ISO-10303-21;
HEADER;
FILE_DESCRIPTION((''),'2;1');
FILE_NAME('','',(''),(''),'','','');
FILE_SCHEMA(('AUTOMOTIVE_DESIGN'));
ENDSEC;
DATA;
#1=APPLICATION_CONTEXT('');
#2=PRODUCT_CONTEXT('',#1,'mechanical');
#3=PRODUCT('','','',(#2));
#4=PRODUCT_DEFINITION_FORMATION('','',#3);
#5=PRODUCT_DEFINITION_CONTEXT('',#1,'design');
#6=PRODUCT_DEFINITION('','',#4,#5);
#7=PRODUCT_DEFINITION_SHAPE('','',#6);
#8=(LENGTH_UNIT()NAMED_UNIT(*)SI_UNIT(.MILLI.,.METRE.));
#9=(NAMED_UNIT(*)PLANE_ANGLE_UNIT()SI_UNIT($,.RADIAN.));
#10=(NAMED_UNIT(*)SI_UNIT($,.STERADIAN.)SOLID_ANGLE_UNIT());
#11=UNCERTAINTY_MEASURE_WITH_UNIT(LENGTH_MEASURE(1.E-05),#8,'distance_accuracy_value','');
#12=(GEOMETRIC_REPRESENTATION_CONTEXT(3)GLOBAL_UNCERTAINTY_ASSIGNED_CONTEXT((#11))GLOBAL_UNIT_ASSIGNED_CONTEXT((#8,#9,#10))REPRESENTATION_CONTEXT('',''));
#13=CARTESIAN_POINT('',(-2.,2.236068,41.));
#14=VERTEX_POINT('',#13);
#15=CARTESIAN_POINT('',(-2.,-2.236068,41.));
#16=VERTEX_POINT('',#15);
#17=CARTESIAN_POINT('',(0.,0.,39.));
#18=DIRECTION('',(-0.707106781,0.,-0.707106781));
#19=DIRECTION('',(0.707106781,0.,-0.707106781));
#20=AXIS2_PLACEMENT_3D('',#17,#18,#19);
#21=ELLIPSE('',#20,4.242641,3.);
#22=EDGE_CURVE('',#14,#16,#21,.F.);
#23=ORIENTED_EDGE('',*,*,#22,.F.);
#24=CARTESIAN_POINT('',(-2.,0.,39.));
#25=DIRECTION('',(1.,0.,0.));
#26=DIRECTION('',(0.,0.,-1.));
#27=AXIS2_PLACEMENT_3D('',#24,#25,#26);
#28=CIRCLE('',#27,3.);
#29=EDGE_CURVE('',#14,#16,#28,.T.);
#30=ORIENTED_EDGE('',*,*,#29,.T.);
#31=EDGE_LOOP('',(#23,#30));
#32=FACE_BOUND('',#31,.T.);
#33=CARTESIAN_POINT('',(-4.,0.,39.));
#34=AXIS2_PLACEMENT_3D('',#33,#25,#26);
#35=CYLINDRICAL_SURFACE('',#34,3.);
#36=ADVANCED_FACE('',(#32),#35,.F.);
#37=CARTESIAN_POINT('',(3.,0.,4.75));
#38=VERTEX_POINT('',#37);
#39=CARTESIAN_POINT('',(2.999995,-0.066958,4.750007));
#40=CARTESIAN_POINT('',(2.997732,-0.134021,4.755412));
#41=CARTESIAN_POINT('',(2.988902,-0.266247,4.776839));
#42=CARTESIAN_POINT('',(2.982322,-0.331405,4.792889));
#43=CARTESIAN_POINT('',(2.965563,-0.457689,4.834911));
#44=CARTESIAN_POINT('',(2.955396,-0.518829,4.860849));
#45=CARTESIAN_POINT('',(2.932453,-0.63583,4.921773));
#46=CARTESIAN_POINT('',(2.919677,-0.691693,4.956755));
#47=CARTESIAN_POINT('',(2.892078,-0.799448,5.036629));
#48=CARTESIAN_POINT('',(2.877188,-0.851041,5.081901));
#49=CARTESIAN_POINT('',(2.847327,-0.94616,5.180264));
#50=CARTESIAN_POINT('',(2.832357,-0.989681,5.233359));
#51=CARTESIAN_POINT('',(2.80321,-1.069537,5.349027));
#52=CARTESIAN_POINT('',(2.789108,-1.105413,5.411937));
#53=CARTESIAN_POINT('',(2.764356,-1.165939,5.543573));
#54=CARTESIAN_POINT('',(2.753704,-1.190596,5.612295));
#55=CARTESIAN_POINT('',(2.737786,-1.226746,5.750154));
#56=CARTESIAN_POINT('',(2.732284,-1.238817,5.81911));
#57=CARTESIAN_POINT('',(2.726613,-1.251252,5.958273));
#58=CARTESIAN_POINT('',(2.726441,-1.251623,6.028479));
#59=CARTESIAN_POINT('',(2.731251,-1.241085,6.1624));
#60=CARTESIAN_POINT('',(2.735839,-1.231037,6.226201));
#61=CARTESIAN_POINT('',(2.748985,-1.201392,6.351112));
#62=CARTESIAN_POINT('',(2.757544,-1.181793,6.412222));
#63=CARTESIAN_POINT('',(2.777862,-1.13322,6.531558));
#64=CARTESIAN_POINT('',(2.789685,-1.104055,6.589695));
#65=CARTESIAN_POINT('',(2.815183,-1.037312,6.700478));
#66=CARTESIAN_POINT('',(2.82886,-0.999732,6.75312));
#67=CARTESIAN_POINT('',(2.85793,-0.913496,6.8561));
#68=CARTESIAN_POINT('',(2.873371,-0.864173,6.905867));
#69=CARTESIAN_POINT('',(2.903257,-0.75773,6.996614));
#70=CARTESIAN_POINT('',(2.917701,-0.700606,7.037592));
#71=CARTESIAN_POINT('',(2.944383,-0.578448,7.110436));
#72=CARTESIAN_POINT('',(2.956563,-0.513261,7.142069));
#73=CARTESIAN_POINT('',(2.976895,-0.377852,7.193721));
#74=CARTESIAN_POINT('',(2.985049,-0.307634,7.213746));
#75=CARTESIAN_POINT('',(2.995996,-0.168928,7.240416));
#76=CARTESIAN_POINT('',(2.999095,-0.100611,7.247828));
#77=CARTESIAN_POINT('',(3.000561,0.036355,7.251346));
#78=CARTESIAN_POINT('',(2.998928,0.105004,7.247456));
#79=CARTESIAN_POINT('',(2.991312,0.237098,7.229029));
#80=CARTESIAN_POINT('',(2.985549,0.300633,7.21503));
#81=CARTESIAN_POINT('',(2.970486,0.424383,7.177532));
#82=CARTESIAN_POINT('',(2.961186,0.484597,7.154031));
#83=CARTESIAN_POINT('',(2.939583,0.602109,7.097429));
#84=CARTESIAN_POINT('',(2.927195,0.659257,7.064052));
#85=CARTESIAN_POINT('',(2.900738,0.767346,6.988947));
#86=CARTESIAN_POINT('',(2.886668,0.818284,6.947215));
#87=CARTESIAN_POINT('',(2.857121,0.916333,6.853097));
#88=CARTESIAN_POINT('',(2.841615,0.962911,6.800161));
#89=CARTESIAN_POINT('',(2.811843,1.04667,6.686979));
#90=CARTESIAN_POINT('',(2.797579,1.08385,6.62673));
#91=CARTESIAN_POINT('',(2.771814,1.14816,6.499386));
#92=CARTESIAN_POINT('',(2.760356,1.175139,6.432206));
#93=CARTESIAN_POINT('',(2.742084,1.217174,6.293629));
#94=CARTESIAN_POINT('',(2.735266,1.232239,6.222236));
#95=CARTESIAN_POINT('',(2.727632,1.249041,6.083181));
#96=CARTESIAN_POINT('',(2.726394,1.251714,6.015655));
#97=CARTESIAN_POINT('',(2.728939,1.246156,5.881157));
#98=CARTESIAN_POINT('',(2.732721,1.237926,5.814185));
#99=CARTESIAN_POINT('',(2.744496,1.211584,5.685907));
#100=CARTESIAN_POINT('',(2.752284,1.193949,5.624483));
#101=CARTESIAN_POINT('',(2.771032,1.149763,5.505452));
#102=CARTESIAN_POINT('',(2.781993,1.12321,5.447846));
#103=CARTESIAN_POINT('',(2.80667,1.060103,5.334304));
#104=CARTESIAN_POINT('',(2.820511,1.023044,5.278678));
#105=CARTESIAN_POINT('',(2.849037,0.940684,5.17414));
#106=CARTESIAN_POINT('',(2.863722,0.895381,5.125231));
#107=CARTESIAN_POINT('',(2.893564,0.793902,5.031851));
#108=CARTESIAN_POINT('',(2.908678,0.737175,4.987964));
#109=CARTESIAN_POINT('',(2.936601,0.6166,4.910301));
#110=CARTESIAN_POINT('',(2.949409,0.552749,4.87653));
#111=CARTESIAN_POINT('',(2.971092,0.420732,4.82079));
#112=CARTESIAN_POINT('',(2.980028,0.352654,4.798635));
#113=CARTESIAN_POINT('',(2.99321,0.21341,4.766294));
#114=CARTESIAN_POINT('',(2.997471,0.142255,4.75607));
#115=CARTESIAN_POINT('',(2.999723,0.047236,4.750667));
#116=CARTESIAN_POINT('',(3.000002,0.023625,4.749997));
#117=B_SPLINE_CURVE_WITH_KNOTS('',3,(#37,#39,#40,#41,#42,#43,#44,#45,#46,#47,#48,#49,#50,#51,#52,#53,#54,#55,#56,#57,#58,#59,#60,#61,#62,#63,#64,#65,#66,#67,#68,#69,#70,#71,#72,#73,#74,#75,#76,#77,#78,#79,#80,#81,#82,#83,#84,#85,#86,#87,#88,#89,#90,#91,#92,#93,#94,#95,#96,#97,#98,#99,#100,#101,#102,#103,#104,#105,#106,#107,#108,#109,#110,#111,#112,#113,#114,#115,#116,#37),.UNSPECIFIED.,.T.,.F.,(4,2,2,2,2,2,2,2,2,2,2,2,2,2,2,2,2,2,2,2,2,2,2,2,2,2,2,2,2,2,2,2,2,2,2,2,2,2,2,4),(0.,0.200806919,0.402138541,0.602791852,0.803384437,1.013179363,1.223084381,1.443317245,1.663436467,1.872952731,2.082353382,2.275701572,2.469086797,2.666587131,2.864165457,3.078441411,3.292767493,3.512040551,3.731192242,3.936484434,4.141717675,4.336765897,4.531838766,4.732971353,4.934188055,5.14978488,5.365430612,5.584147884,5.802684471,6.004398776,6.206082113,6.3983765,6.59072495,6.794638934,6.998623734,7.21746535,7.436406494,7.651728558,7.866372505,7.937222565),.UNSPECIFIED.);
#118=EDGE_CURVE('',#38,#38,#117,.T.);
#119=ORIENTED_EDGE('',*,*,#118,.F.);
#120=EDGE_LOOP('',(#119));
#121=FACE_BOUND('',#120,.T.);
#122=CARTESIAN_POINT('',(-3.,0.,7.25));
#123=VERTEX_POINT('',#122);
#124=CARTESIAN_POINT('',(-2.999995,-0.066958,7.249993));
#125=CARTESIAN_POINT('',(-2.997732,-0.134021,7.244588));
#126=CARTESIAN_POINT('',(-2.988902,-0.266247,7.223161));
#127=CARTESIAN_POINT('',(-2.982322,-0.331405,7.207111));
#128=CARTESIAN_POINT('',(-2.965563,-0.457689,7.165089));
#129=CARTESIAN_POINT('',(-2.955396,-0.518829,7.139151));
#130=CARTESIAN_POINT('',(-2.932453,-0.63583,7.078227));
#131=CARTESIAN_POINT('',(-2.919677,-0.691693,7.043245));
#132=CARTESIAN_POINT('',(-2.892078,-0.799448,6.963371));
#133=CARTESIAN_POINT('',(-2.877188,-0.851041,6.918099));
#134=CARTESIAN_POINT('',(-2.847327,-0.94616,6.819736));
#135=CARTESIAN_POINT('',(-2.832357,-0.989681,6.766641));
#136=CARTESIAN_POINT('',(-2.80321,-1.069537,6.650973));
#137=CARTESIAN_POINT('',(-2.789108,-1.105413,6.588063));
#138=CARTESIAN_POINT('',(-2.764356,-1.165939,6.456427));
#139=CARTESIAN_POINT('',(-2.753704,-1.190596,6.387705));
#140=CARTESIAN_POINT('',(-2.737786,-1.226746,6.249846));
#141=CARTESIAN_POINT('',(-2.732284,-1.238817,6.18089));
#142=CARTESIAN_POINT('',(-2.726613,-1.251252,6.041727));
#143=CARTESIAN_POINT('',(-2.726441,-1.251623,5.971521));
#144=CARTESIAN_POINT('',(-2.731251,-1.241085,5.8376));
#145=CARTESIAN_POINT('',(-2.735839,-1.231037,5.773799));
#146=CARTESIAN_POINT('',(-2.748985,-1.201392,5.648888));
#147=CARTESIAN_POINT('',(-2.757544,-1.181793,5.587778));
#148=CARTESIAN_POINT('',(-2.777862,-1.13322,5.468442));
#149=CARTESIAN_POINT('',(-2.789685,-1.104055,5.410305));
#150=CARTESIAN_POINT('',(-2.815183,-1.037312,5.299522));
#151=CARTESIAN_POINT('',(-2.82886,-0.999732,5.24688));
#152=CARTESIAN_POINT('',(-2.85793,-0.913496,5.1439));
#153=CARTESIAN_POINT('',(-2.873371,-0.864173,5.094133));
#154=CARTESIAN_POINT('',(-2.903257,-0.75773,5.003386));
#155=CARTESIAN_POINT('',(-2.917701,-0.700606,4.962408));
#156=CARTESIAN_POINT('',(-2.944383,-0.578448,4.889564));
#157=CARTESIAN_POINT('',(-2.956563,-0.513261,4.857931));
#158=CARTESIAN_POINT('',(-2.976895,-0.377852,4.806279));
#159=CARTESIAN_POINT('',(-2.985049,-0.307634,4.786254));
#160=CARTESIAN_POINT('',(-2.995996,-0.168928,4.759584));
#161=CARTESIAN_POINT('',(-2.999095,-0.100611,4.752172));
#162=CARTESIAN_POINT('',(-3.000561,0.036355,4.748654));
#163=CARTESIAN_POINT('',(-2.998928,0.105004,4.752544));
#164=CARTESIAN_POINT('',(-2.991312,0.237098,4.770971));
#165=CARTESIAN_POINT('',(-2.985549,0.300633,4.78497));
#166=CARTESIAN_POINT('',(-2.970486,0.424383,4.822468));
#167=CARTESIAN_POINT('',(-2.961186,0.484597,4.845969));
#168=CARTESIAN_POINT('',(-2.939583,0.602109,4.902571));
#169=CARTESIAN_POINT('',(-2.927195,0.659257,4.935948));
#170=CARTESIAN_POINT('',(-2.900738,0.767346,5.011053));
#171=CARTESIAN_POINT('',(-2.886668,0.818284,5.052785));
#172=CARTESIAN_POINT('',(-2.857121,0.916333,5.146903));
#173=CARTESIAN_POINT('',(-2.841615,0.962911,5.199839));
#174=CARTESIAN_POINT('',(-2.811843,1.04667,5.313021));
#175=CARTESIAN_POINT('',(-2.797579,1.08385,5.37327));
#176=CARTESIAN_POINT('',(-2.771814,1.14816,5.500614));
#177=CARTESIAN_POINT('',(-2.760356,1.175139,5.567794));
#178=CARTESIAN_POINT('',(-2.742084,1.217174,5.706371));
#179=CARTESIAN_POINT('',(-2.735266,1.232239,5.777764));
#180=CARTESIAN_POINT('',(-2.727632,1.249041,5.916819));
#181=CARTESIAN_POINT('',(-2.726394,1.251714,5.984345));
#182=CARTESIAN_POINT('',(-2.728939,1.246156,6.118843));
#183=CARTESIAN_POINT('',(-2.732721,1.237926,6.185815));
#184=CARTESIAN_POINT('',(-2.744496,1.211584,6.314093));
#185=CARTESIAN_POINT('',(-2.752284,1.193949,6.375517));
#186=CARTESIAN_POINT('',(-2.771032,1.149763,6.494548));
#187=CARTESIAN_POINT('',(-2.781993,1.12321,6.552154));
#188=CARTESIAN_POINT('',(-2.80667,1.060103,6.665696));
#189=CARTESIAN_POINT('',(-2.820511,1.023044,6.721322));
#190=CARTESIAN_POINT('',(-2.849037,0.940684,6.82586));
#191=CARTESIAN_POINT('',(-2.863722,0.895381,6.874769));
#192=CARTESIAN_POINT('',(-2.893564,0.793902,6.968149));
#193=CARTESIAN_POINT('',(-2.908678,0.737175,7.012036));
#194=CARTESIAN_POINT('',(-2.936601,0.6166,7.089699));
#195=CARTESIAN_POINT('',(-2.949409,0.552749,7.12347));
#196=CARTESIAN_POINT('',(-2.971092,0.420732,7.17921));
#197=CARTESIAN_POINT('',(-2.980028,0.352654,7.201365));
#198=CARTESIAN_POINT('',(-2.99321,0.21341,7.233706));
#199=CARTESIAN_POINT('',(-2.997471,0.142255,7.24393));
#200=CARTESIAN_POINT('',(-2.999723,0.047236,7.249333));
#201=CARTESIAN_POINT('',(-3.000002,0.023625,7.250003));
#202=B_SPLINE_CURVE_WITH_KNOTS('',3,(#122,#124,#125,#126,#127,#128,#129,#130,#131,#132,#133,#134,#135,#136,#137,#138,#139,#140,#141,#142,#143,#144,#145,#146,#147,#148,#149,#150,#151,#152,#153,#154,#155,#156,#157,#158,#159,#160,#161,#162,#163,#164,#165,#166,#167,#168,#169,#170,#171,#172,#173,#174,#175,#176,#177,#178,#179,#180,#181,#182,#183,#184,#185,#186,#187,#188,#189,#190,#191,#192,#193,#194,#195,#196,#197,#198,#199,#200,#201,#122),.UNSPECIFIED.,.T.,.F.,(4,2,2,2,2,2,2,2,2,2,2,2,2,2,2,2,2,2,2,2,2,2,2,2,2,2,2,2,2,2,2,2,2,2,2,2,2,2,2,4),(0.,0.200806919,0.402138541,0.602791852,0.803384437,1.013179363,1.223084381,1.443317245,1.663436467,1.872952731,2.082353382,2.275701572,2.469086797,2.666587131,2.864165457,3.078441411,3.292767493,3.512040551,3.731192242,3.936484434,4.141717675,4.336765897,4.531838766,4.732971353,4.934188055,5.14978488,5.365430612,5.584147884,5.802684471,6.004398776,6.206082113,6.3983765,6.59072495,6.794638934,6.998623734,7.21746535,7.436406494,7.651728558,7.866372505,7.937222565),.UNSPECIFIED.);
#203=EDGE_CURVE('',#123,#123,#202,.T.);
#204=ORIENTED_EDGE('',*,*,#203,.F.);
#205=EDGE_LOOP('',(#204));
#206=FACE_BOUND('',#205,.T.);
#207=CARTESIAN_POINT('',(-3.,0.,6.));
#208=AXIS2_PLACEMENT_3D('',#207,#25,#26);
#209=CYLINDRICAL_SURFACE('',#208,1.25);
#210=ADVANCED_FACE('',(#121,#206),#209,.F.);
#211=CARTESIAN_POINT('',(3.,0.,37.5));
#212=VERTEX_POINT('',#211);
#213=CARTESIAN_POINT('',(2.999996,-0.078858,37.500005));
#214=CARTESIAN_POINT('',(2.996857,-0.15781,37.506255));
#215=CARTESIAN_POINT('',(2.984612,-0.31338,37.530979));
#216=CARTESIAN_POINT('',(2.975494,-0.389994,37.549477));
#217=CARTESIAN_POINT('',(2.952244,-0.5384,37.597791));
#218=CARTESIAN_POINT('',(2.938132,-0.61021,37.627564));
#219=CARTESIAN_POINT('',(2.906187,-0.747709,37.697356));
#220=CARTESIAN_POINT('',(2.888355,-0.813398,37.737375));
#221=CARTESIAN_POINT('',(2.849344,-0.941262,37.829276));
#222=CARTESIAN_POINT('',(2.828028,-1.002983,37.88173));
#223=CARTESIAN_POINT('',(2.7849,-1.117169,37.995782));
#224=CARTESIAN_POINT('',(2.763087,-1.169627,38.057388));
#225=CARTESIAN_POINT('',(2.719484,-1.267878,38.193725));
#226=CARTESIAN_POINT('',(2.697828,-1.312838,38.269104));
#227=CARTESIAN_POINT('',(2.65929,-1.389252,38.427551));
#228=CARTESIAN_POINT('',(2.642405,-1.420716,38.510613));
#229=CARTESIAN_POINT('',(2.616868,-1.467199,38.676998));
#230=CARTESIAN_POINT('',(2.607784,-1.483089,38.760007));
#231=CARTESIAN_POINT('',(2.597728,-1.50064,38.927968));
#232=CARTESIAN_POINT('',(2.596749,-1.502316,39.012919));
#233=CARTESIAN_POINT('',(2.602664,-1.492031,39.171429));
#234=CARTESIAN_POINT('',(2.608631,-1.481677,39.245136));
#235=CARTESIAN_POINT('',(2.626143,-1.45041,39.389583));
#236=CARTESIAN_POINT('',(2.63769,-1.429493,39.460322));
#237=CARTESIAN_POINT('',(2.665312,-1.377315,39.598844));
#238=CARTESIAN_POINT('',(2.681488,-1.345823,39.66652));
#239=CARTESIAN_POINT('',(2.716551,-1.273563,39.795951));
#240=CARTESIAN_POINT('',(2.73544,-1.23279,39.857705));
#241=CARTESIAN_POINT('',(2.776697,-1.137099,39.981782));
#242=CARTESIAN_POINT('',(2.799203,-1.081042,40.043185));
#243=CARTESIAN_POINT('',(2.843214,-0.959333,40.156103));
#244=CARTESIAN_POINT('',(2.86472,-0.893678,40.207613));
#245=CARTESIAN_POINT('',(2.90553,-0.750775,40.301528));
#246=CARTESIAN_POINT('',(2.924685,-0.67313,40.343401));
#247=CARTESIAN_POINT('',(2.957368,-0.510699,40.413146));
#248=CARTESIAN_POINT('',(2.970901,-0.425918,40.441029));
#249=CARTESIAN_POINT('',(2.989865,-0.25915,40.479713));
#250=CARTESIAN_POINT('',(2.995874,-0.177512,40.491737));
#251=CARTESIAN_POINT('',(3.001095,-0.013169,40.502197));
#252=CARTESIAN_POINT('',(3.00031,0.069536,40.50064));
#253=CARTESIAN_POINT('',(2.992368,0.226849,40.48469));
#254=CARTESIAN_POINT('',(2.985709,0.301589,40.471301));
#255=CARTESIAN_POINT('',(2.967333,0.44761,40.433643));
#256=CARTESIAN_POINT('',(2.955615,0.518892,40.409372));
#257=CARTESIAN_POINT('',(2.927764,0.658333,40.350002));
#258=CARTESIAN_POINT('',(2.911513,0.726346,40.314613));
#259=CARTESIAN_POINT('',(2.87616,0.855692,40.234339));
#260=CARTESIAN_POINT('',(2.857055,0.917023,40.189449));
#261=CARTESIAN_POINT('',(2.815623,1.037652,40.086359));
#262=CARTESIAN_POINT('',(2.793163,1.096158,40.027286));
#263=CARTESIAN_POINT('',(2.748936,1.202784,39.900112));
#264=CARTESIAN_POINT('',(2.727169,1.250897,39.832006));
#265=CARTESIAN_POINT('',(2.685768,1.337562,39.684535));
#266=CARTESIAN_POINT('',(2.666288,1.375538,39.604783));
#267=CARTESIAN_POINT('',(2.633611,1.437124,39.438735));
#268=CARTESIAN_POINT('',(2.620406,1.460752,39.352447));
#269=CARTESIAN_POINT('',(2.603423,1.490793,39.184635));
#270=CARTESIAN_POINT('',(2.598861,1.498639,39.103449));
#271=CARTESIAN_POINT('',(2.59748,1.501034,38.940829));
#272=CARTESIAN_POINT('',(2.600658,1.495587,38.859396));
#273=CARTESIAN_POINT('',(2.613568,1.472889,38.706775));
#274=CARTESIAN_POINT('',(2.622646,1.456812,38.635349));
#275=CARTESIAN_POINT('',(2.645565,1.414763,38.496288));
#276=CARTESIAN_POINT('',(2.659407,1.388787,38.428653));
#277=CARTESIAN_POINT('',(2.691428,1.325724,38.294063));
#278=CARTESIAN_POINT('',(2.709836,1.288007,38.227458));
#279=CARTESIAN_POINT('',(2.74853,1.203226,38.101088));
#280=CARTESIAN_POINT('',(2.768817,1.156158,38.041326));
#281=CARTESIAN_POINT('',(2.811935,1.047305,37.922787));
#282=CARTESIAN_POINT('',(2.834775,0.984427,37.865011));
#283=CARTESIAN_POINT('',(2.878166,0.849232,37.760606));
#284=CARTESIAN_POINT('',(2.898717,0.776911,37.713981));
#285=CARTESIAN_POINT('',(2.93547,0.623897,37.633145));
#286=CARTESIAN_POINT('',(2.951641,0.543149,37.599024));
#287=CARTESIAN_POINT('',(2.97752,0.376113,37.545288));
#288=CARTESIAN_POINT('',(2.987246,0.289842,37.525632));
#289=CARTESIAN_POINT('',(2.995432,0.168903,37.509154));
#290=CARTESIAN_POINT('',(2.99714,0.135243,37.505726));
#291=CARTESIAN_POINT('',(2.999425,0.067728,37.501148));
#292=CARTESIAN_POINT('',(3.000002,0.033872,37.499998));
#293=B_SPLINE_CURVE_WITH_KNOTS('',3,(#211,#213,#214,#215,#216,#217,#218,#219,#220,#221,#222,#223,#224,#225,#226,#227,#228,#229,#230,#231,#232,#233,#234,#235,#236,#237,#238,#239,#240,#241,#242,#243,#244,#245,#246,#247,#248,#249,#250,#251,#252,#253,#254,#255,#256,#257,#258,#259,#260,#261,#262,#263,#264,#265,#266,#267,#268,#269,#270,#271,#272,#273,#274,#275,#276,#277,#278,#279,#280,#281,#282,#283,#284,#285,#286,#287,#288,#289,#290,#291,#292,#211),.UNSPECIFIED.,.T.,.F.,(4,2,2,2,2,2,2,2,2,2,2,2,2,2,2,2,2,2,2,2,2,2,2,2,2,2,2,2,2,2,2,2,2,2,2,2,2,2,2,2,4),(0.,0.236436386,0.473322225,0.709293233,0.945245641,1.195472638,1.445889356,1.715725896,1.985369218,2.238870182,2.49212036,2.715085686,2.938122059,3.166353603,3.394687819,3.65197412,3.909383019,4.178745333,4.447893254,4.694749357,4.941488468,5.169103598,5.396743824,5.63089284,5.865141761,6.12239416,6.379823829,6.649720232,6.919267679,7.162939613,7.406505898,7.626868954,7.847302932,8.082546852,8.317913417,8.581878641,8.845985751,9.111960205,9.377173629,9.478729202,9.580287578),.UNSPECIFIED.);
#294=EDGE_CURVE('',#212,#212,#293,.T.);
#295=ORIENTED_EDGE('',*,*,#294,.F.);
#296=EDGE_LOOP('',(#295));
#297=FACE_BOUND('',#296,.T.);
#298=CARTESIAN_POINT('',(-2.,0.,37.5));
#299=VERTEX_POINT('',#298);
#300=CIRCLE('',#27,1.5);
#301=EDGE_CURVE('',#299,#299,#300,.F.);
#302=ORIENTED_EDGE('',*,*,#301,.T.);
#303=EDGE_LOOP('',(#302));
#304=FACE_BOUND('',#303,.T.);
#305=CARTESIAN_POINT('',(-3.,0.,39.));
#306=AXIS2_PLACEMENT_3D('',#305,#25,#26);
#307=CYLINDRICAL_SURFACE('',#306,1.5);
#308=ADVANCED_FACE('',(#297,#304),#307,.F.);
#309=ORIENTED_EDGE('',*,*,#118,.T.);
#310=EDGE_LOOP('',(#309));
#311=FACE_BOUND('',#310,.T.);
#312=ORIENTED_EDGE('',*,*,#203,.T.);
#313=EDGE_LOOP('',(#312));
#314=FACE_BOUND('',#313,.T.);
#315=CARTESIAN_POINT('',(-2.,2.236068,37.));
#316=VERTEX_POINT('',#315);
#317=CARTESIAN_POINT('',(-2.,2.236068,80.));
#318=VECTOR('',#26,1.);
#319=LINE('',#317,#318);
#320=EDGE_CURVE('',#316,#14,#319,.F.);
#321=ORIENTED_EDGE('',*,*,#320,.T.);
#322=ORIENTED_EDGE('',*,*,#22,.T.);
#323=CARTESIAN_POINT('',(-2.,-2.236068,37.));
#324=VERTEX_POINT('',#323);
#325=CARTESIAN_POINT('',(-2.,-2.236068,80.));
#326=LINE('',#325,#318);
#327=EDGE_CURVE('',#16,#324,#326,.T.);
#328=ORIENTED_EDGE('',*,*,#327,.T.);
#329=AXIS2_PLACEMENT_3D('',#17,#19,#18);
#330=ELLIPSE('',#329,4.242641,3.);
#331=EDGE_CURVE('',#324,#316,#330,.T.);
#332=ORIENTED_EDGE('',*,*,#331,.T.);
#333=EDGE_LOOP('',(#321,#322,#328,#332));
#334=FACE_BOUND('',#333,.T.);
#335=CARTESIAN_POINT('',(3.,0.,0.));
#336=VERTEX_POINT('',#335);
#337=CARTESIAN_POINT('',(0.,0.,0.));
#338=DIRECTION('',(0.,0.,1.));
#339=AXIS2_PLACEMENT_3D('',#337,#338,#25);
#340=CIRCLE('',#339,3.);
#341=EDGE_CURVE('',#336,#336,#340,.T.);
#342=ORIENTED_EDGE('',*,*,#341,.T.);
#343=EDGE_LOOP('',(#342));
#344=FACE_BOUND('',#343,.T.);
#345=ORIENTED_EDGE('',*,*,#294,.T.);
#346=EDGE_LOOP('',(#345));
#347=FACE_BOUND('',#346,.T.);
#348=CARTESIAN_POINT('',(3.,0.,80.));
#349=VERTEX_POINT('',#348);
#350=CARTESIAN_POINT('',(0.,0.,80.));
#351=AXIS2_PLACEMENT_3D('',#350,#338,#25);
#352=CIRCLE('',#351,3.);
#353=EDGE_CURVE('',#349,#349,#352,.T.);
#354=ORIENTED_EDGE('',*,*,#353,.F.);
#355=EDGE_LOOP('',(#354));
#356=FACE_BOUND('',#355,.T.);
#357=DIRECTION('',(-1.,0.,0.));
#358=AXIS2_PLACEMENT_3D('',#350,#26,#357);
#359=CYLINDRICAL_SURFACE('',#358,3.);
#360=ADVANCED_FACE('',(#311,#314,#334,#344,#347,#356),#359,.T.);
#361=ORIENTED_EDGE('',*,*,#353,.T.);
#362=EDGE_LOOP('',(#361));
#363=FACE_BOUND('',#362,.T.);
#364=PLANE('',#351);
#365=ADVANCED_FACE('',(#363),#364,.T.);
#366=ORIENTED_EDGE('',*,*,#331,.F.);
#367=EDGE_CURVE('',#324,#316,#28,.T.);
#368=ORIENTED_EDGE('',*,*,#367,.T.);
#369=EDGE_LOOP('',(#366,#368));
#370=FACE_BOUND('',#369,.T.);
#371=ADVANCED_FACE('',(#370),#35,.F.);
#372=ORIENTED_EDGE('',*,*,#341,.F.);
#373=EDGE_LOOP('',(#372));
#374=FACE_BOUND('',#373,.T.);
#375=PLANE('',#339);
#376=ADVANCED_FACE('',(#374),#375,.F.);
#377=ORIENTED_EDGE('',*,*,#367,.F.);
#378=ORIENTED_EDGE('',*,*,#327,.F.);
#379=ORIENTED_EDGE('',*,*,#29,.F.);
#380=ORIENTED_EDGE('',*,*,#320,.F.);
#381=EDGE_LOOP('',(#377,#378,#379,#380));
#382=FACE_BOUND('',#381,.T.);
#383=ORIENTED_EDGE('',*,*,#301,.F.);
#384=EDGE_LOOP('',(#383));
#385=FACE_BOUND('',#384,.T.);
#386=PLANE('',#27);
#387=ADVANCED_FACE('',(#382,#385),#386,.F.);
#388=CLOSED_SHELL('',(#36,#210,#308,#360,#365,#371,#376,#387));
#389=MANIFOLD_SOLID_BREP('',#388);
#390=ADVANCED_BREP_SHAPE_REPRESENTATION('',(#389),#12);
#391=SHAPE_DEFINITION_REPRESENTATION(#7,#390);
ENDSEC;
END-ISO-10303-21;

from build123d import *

# Parameters (mm, degrees)
ESQUISSE1_R                  = 3
BOSS_EXTRU_1_DEPTH           = 80
ENL_V_MAT_EXTRU_1_DEPTH      = 81.112421009
ENL_V_MAT_EXTRU_1_DEPTH_BACK = 81.112421009
ESQUISSE2_R                  = 1.25
ESQUISSE2_R_2                = 1.5
ENL_V_START                  = -3
ESQUISSE3_R                  = 3
ENL_V_MAT_EXTRU_2_DEPTH      = 1


with BuildPart() as part:
    # Esquisse1 → Boss.-Extru.1 (new body)
    with BuildSketch(Plane.XY):
        Circle(ESQUISSE1_R)
    extrude(amount=BOSS_EXTRU_1_DEPTH)

    # Esquisse2 → Enlèv. mat.-Extru.1 (cut, two sides: drawn at the far end of the back side and taken through both)
    with BuildSketch(Plane(origin=(0, 0, 0), x_dir=(0, 0, -1), z_dir=(1, 0, 0)).offset(-ENL_V_MAT_EXTRU_1_DEPTH_BACK)):
        with Locations(Location((-6, 0, 0), (0, 0, 180.000000002))):
            Circle(ESQUISSE2_R)
        with Locations(Location((-39, 0, 0), (0, 0, 179.999999999))):
            Circle(ESQUISSE2_R_2)
    extrude(amount=ENL_V_MAT_EXTRU_1_DEPTH + ENL_V_MAT_EXTRU_1_DEPTH_BACK, mode=Mode.SUBTRACT)

    # Esquisse3 → Enlèv. mat.-Extru.2 (cut, symmetric)
    with BuildSketch(Plane(origin=(0, 0, 0), x_dir=(0, 0, -1), z_dir=(1, 0, 0)).offset(ENL_V_START)):
        with Locations((-39, 0)):
            Circle(ESQUISSE3_R)
    extrude(amount=ENL_V_MAT_EXTRU_2_DEPTH, both=True, mode=Mode.SUBTRACT)


solid = part.part
